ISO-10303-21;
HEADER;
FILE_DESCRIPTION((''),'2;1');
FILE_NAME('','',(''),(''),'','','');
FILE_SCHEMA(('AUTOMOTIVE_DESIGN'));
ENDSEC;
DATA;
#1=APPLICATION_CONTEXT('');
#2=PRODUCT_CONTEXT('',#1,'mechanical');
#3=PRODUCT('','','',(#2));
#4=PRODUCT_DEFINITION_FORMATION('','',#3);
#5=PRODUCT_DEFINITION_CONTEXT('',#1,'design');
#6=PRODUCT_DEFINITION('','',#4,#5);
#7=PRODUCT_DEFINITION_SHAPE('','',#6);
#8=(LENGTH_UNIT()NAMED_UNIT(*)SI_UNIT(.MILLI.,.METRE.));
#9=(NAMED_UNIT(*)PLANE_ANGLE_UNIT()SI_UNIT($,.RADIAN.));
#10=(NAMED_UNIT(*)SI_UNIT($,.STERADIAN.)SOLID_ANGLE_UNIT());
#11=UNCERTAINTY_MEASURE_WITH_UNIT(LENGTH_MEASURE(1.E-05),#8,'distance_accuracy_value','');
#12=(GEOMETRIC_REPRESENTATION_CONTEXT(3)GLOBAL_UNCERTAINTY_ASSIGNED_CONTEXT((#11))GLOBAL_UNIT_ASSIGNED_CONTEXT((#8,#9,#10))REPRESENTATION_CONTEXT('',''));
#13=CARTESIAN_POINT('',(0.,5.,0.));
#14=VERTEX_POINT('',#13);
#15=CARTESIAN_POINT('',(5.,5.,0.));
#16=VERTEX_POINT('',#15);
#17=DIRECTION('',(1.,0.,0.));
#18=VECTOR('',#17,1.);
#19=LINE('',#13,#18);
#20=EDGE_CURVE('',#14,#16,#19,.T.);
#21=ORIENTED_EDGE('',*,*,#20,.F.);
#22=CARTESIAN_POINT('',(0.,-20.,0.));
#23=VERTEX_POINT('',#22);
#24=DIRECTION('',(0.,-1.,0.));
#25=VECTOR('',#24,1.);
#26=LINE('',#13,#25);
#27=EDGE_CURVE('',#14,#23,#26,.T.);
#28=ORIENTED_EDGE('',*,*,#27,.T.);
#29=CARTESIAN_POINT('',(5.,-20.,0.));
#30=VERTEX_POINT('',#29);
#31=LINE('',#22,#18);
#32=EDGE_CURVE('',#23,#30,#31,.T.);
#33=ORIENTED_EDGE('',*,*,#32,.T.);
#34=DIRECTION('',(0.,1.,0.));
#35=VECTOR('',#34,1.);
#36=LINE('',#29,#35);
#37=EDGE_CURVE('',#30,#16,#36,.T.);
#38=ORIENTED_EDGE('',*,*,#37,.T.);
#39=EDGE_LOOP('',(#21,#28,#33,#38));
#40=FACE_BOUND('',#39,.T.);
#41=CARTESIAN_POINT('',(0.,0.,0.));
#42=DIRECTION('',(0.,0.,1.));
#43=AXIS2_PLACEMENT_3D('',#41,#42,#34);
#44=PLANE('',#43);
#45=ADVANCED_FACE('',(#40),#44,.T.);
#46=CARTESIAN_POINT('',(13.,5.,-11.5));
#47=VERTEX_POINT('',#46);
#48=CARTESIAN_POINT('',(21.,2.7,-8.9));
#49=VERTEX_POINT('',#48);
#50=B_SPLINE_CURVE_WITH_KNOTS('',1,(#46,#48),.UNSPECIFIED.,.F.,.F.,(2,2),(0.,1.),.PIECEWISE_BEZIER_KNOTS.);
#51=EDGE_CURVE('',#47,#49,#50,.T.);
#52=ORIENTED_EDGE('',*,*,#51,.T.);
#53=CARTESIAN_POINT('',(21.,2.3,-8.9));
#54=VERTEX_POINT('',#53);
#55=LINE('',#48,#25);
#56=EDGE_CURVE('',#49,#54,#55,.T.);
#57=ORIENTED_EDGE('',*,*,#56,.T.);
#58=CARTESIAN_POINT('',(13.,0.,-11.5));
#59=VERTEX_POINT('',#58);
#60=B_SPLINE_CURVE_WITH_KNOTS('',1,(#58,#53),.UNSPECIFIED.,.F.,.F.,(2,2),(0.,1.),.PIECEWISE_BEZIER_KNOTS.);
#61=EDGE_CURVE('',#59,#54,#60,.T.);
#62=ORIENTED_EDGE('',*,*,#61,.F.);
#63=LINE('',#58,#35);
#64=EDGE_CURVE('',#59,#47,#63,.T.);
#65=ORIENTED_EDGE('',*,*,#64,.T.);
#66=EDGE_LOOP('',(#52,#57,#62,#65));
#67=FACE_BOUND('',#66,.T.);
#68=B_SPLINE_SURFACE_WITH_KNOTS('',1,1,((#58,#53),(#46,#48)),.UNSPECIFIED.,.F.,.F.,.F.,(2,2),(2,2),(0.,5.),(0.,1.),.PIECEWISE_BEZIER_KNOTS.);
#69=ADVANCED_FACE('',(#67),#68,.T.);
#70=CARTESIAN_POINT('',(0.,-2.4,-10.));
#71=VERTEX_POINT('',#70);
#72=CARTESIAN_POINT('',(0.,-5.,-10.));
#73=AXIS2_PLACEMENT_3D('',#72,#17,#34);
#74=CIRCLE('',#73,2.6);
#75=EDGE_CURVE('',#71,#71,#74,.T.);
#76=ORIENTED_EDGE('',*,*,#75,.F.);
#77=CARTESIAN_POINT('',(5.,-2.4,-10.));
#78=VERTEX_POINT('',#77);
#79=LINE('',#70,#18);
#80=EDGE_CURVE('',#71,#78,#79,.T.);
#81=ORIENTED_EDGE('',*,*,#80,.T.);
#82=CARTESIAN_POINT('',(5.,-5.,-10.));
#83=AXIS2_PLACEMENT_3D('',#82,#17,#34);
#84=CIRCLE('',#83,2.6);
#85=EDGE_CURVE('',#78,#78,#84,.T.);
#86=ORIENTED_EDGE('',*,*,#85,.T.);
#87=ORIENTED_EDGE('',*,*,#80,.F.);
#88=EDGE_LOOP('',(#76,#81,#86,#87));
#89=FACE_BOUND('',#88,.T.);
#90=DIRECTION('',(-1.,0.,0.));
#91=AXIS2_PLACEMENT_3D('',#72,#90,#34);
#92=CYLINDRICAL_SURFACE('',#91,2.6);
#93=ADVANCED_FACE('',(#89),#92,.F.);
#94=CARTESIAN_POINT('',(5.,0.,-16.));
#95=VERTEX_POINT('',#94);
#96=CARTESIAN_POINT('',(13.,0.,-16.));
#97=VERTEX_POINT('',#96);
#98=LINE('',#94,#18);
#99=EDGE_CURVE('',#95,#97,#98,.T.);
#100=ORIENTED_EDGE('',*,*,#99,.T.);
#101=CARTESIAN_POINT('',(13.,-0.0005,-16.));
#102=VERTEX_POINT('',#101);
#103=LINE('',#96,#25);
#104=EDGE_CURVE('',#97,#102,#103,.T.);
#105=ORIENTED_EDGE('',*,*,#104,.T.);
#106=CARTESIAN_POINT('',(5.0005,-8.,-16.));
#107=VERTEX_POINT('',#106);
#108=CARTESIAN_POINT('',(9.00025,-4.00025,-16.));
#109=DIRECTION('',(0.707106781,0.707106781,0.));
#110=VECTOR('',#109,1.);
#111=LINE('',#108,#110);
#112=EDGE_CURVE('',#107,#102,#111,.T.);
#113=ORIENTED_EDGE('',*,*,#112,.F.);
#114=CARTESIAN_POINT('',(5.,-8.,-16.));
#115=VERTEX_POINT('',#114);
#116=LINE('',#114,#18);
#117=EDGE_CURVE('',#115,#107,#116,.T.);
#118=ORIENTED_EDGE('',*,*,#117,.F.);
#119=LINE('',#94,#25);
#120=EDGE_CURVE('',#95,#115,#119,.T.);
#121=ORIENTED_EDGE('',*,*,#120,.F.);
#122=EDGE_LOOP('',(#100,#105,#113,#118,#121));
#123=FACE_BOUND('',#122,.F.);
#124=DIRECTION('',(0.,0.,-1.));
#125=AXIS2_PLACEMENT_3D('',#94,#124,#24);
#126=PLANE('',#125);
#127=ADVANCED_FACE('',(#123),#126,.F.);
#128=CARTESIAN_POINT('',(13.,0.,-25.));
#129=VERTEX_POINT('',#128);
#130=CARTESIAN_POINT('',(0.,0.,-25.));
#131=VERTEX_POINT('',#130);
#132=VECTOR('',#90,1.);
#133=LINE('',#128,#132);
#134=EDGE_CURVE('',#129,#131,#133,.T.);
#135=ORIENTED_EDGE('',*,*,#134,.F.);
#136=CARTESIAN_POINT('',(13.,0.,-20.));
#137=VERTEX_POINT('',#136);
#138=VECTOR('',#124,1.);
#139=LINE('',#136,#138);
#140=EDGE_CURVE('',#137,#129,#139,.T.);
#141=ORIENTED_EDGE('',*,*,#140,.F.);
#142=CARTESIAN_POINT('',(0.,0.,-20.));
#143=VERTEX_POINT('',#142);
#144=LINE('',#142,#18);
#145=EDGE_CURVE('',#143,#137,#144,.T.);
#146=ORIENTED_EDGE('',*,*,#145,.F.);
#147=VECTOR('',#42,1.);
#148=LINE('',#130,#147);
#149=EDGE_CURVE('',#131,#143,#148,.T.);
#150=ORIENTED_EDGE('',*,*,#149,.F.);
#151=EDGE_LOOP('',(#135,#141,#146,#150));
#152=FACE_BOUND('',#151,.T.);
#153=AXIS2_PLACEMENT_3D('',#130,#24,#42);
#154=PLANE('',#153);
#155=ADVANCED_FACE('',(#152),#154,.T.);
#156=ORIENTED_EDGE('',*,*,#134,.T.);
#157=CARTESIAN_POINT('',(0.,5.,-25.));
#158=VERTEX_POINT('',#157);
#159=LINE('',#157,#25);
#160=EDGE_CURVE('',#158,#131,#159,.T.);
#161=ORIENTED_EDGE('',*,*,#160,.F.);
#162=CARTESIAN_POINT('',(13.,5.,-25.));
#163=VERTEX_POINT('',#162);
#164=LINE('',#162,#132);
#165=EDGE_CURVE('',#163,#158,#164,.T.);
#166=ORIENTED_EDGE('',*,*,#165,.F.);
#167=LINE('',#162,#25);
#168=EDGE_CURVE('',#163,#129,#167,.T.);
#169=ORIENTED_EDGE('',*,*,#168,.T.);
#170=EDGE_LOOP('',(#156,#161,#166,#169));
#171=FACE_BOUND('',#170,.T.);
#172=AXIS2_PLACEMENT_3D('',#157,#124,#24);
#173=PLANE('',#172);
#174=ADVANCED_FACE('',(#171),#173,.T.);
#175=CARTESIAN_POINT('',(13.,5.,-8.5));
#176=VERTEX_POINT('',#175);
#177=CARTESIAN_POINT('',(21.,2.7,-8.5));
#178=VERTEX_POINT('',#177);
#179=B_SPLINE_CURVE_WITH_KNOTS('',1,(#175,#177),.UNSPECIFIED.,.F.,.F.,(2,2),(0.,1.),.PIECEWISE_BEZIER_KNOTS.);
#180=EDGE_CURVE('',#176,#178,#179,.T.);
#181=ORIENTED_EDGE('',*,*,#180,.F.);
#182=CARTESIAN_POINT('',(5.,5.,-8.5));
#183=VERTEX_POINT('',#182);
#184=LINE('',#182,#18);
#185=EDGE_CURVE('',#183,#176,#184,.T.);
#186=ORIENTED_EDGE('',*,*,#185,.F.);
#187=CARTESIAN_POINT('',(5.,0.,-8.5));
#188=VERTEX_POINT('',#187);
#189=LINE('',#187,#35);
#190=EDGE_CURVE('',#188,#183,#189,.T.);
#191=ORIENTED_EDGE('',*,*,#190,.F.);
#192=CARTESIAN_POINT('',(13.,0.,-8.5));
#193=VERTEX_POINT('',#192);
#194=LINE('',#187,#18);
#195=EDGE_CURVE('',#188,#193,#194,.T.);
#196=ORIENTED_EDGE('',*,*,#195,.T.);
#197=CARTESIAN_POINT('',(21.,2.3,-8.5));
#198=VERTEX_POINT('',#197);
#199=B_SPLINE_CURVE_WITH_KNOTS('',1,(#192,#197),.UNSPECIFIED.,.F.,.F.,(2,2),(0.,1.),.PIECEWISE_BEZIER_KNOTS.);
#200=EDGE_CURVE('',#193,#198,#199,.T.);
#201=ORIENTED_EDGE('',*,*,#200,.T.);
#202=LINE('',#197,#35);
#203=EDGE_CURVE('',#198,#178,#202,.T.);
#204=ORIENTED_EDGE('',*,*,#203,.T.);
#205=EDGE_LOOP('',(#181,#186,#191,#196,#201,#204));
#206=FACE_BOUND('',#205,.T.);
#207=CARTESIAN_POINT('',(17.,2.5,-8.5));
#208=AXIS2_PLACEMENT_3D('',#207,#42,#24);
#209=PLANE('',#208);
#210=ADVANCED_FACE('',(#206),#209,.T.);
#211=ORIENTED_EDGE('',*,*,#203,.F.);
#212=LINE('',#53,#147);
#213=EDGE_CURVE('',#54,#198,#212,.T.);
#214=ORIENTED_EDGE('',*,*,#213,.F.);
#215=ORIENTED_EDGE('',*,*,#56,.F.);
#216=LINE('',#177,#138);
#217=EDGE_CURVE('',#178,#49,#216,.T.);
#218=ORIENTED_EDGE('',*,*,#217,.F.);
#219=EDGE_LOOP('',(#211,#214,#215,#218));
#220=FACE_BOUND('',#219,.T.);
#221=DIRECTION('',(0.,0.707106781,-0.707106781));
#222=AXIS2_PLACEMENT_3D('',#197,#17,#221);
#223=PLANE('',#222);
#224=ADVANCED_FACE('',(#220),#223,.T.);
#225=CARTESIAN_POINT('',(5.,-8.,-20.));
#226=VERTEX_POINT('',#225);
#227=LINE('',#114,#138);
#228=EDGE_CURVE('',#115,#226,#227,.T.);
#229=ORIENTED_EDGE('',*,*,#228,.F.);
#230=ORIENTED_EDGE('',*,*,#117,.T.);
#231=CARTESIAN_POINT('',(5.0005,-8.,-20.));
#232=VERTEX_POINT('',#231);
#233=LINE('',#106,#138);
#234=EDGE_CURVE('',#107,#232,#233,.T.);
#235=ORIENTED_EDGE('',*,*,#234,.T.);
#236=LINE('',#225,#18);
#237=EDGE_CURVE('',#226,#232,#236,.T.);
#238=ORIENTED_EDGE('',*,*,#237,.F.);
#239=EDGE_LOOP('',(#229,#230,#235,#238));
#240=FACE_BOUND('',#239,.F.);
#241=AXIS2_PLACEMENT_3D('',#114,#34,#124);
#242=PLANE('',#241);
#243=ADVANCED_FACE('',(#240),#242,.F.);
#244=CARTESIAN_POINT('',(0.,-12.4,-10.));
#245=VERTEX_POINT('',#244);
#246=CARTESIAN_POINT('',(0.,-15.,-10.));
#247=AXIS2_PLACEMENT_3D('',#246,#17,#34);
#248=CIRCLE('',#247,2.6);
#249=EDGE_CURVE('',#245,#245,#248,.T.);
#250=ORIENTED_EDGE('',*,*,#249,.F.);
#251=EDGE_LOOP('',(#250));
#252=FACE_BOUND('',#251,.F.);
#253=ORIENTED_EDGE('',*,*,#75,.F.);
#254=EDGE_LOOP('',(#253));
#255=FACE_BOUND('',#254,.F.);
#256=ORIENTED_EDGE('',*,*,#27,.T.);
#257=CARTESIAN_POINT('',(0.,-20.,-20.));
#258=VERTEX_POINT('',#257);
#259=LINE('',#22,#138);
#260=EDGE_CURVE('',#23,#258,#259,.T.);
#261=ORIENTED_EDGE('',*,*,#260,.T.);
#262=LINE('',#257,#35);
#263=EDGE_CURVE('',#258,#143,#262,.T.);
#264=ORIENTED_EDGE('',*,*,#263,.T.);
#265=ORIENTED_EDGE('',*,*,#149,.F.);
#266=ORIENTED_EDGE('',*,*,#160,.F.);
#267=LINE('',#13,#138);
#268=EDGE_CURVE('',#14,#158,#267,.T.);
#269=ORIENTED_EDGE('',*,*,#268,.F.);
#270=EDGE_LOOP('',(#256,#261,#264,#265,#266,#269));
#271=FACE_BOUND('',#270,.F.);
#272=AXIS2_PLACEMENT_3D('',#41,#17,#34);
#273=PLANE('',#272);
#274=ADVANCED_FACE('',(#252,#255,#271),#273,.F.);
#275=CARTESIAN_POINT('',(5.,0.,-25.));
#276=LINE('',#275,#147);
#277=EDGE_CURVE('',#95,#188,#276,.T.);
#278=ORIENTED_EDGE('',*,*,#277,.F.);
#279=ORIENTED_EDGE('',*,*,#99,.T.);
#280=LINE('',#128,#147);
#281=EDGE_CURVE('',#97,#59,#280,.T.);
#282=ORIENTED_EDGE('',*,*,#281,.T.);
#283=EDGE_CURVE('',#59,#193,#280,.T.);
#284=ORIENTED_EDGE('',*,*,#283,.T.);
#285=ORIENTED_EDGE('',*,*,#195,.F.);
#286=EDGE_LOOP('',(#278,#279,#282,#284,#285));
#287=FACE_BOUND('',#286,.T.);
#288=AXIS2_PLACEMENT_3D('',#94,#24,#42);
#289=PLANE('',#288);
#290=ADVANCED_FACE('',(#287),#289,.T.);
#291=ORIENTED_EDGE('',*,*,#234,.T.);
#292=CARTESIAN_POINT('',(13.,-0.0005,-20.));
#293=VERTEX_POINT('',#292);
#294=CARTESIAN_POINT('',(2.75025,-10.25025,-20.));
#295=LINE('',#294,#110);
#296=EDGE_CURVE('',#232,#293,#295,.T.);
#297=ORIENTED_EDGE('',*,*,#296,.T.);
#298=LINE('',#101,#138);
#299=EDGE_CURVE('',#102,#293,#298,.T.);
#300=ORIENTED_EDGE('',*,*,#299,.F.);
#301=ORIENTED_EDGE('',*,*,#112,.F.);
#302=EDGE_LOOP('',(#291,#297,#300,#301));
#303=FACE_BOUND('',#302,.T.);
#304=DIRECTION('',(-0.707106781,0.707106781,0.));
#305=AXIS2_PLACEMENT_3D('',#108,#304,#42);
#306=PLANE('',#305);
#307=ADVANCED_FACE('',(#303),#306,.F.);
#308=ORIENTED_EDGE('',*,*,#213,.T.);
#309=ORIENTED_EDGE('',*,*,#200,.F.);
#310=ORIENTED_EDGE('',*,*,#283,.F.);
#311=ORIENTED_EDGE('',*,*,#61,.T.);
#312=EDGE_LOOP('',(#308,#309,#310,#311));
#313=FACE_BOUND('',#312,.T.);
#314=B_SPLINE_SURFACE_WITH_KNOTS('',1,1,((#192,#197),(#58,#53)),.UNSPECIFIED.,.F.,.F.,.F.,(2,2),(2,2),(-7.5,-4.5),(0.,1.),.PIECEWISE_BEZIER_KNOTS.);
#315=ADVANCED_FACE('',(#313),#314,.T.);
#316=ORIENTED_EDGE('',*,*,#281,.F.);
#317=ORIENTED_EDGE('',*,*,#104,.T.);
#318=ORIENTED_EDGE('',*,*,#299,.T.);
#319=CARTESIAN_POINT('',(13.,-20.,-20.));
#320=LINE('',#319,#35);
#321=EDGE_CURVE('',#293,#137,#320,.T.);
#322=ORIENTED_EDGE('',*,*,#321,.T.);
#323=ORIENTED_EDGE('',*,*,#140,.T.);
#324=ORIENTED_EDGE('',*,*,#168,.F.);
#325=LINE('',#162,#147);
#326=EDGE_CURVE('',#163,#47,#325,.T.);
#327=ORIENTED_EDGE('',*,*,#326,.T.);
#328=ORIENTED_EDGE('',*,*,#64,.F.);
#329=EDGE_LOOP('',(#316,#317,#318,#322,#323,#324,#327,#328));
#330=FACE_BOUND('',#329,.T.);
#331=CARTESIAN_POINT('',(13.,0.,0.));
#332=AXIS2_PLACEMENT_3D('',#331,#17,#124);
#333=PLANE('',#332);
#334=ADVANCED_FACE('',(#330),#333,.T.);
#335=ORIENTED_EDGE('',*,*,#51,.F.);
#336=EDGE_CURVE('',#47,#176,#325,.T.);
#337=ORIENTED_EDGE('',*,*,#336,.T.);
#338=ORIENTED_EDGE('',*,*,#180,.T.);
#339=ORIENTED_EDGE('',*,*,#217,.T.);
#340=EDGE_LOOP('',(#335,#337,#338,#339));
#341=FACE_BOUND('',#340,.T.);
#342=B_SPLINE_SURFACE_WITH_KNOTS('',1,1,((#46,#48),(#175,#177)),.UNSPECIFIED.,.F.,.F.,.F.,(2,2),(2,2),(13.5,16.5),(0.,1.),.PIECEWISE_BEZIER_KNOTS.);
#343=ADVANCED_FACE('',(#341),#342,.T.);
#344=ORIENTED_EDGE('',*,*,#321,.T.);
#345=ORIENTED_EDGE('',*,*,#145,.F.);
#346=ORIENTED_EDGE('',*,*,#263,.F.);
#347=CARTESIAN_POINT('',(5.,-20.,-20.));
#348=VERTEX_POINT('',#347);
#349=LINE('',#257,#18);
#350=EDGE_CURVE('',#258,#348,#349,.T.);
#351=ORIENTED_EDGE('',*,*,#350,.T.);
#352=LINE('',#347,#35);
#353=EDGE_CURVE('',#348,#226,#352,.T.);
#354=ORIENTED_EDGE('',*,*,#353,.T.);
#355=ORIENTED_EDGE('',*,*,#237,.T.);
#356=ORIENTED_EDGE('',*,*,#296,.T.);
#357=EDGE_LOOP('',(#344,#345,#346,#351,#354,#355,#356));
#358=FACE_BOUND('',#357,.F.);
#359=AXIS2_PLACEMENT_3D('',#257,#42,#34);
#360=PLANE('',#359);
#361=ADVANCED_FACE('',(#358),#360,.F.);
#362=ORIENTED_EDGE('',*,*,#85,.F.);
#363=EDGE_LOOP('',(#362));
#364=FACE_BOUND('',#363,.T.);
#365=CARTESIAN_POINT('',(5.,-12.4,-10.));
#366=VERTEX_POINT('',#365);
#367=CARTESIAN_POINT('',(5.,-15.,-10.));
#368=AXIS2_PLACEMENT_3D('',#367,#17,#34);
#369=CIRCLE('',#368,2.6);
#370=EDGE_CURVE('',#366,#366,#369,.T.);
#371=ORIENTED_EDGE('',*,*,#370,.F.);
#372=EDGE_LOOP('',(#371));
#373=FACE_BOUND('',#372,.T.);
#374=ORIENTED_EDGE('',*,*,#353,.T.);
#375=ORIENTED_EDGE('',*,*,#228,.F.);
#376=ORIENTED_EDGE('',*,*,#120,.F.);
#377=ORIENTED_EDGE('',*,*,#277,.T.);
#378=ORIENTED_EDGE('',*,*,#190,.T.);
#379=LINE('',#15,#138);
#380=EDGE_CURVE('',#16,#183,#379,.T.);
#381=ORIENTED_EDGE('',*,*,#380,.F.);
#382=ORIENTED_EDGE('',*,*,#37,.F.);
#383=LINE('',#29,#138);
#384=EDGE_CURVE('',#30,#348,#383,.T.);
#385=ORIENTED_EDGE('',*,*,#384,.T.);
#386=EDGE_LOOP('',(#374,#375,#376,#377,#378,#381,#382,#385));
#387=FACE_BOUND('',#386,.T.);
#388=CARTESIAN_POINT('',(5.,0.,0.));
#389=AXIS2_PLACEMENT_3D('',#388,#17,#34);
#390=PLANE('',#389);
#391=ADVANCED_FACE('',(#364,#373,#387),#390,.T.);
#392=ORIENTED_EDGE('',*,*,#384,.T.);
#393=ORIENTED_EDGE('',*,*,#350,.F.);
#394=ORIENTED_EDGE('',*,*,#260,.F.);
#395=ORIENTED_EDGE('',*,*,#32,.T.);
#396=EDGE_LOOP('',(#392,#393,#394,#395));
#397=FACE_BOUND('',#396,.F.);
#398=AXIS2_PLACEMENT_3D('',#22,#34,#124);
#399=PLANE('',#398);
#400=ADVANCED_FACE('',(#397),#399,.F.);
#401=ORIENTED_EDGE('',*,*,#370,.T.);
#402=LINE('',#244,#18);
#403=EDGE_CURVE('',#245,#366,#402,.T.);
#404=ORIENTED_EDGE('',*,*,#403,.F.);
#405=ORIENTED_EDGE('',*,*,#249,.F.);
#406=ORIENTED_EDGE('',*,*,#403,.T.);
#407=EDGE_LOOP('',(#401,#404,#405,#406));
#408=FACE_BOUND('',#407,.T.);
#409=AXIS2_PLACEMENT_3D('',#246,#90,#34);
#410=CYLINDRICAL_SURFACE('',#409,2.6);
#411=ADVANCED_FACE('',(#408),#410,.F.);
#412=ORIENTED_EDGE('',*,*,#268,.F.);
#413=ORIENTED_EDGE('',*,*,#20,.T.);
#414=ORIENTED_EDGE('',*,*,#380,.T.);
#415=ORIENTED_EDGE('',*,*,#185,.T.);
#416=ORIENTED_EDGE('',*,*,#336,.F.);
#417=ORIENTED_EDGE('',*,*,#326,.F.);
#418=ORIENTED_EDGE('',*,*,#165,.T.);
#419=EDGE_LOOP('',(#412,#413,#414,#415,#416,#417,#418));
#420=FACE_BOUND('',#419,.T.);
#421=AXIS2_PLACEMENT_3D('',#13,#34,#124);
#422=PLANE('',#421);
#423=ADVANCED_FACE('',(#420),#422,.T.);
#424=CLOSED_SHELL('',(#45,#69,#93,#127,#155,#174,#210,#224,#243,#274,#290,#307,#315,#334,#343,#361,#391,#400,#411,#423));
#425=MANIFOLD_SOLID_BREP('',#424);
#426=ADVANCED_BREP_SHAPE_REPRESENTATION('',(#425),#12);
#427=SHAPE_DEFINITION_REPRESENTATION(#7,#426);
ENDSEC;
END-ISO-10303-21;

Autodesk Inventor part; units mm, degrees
ref_plane "YZ Plane" through (0, 0, 0) normal (1, 0, 0) x (0, 1, 0)
ref_plane "XZ Plane" through (0, 0, 0) normal (0, 1, 0) x (-1, 0, 0)
sketch "Sketch1" plane through (0, 0, 0) normal (1, 0, 0) x (0, 1, 0)
  line L0 (0, 0) -> (5, 0)
  line L1 (5, 0) -> (5, -25)
  line L2 (5, -25) -> (0, -25)
  line L3 (0, -25) -> (0, 0)
  line L4 (0, 0) -> (-20, 0)
  line L5 (-20, 0) -> (-20, -20)
  line L6 (-20, -20) -> (0, -20)
  line L7 (0, -20) -> (0, 0)
  line L8 (-20, -10) -> (0, -10) construction
  circle A0 centre (-5, -10) radius 2.6
  circle A1 centre (-15, -10) radius 2.6
  dimension "d0" = 5
  dimension "d1" = 25
  dimension "d2" = 20
  dimension "d3" = 20
  dimension "d4" = 5.2
  dimension "d5" = 5.2
  dimension "d6" = 5
  dimension "d7" = 5
extrude "Extrusion1" add sketch "Sketch1" along normal blind 5
sketch "Sketch2" plane through (5, 0, 0) normal (1, 0, 0) x (0, 0, -1)
  line L0 (20, 0) -> (25, 0) projected
  line L1 (25, 5) -> (0, 5) projected
  line L2 (25, 0) -> (0, 0)
  line L3 (0, 0) -> (0, 5)
  line L4 (0, 5) -> (25, 5)
  line L5 (25, 5) -> (25, 0)
  line L6 (0, 0) -> (4, 0)
  line L7 (4, 0) -> (4, -8)
  line L8 (4, -8) -> (0, -8)
  line L9 (0, -8) -> (0, 0)
  line L10 (20, -20) -> (20, 0) projected
  line L11 (20, 0) -> (16, 0)
  line L12 (16, 0) -> (16, -8)
  line L13 (16, -8) -> (20, -8)
  line L14 (20, -8) -> (20, 0)
  line L15 (8.5, 0) -> (8.5, 5)
  point P0 (8.5, 5)
  dimension "d12" = 4
  dimension "d13" = 8
  dimension "d14" = 4
  dimension "d15" = 8
  dimension "d19" = 8.5
extrude "Extrusion2" add sketch "Sketch2" along normal blind 8 contours L2 L15 L1 L5 L0 | L10 L13 L12 L2
chamfer "Chamfer1" distance 8 angle 45 1 edges at (13, -8, -18)
sketch "Sketch3" plane through (13, 0, 0) normal (1, 0, 0) x (0, 0, -1)
  line L0 (8.5, 0) -> (8.5, 5) projected
  line L1 (16, 0) -> (8.5, 0) projected
  line L2 (8.5, 5) -> (8.5, 0)
  line L3 (8.5, 0) -> (11.5, 0)
  line L4 (11.5, 0) -> (11.5, 5)
  line L5 (25, 5) -> (0, 5) projected
  line L6 (11.5, 5) -> (8.5, 5)
  point P0 (0, 0)
  dimension "d20" = 3
ref_plane "Work Plane1" through (21, 0, 0) normal (1, 0, 0) x (0, 0, -1)
sketch "Sketch4" plane through (21, 0, 0) normal (1, 0, 0) x (0, 0, -1)
  line L0 (8.5, 0) -> (8.5, 5) construction
  line L1 (8.5, 2.5) -> (11.5, 2.5) construction
  line L2 (25, 5) -> (0, 5) construction
  line L3 (8.5, 2.7) -> (8.9, 2.7)
  line L4 (8.9, 2.7) -> (8.9, 2.3)
  line L5 (8.9, 2.3) -> (8.5, 2.3)
  line L6 (8.5, 2.3) -> (8.5, 2.7)
  point P0 (0, 0)
  dimension "d22" = 3
  dimension "d23" = 0.2
  dimension "d24" = 0.2
  dimension "d25" = 0.4
loft "Loft1" add profiles "Sketch3", "Sketch4"
equation "\"d7\" = d6"
equation "\"d24\" = d23"
properties part number "Z Axis Limt Adjustable Trigger"
